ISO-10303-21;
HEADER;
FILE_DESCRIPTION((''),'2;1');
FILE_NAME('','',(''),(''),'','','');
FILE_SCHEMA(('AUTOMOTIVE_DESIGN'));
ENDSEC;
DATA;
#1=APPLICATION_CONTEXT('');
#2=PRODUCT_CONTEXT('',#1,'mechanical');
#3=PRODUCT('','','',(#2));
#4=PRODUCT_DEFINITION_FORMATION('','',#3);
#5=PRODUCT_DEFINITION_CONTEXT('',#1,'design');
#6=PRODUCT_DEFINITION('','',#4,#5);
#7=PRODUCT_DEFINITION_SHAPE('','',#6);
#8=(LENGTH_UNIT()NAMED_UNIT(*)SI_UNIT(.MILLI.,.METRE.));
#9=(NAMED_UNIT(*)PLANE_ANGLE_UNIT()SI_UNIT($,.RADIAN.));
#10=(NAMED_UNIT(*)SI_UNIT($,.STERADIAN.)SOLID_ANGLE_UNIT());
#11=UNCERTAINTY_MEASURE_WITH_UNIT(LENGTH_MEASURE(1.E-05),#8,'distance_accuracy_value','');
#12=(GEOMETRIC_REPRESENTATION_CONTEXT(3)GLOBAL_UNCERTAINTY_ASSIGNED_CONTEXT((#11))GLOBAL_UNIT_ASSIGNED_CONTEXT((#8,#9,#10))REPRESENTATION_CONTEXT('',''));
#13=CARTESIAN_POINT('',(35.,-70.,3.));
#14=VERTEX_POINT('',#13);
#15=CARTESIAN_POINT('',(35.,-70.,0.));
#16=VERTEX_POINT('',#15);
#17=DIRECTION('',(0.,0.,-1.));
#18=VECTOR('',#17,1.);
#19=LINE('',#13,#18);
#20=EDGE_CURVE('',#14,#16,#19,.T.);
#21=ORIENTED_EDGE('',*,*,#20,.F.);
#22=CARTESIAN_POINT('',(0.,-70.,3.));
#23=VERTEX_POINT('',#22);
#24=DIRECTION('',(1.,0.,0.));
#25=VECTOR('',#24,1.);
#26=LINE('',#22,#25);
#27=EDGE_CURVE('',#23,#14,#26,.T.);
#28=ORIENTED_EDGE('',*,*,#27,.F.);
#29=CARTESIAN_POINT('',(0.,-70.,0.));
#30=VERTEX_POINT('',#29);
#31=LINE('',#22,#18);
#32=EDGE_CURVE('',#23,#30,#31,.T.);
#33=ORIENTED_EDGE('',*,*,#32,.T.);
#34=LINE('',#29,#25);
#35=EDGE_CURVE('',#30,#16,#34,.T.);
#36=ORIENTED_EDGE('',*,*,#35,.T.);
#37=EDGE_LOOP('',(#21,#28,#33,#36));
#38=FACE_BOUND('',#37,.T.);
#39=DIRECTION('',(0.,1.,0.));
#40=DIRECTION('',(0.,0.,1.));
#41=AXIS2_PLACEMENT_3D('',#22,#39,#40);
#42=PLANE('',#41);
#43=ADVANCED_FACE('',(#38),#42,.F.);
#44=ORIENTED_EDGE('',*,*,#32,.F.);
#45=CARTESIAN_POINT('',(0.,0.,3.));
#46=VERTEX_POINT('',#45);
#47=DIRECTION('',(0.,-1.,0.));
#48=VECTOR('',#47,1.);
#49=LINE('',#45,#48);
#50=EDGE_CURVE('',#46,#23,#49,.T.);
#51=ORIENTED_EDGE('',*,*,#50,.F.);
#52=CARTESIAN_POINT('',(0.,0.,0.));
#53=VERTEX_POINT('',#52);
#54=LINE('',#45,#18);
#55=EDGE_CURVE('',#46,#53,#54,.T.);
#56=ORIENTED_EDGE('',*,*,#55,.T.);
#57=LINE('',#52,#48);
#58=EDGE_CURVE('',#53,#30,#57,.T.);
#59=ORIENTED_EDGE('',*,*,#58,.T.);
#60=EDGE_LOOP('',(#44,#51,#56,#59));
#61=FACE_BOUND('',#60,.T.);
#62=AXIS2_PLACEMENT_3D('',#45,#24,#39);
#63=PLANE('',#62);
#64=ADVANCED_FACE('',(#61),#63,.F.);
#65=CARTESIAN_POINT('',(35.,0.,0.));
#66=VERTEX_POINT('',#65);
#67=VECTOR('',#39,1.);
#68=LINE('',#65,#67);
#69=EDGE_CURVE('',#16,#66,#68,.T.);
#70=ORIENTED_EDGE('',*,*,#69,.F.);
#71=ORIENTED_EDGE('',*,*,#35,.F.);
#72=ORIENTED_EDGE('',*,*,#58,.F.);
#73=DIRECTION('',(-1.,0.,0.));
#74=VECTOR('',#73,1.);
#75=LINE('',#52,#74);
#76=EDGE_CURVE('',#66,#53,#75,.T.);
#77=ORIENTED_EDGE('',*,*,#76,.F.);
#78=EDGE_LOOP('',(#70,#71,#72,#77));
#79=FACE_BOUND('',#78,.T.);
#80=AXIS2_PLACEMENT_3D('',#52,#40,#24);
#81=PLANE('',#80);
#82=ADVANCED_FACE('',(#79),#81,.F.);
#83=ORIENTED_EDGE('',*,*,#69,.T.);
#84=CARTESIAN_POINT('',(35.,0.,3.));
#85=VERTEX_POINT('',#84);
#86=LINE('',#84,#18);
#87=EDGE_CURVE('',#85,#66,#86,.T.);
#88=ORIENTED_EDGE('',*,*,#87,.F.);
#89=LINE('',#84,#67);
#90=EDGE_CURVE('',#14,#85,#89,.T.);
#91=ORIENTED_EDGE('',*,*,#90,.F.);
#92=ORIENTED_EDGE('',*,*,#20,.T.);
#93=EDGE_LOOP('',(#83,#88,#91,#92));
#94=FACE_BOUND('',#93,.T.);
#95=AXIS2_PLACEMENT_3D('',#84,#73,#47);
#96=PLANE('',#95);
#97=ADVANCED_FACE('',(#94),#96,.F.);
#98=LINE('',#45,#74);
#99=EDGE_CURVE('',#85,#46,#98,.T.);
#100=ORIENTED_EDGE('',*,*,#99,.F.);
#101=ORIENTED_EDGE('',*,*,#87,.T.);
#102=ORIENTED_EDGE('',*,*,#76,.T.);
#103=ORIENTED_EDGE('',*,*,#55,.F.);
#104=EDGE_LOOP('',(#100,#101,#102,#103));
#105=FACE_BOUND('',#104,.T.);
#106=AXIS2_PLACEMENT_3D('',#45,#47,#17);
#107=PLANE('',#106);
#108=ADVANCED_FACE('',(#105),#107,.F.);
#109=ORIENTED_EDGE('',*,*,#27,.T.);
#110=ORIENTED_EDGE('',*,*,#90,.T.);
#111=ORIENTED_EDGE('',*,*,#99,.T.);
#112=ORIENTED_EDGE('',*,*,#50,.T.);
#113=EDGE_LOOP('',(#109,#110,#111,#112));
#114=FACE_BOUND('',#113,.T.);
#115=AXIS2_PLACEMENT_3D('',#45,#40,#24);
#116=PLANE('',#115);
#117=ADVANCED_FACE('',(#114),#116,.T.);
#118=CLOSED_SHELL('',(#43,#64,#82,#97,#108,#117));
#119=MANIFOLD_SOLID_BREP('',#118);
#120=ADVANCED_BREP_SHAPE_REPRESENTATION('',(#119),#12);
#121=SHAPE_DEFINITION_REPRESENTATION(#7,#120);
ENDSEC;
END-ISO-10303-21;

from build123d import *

# Parameters (mm, degrees)
ESQUISSE1_W        = 35
ESQUISSE1_H        = 70
BOSS_EXTRU_1_DEPTH = 3


with BuildPart() as part:
    # Esquisse1 → Boss.-Extru.1 (new body)
    with BuildSketch(Plane.XY):
        with Locations((17.5, -35)):
            Rectangle(ESQUISSE1_W, ESQUISSE1_H)
    extrude(amount=BOSS_EXTRU_1_DEPTH)


solid = part.part
